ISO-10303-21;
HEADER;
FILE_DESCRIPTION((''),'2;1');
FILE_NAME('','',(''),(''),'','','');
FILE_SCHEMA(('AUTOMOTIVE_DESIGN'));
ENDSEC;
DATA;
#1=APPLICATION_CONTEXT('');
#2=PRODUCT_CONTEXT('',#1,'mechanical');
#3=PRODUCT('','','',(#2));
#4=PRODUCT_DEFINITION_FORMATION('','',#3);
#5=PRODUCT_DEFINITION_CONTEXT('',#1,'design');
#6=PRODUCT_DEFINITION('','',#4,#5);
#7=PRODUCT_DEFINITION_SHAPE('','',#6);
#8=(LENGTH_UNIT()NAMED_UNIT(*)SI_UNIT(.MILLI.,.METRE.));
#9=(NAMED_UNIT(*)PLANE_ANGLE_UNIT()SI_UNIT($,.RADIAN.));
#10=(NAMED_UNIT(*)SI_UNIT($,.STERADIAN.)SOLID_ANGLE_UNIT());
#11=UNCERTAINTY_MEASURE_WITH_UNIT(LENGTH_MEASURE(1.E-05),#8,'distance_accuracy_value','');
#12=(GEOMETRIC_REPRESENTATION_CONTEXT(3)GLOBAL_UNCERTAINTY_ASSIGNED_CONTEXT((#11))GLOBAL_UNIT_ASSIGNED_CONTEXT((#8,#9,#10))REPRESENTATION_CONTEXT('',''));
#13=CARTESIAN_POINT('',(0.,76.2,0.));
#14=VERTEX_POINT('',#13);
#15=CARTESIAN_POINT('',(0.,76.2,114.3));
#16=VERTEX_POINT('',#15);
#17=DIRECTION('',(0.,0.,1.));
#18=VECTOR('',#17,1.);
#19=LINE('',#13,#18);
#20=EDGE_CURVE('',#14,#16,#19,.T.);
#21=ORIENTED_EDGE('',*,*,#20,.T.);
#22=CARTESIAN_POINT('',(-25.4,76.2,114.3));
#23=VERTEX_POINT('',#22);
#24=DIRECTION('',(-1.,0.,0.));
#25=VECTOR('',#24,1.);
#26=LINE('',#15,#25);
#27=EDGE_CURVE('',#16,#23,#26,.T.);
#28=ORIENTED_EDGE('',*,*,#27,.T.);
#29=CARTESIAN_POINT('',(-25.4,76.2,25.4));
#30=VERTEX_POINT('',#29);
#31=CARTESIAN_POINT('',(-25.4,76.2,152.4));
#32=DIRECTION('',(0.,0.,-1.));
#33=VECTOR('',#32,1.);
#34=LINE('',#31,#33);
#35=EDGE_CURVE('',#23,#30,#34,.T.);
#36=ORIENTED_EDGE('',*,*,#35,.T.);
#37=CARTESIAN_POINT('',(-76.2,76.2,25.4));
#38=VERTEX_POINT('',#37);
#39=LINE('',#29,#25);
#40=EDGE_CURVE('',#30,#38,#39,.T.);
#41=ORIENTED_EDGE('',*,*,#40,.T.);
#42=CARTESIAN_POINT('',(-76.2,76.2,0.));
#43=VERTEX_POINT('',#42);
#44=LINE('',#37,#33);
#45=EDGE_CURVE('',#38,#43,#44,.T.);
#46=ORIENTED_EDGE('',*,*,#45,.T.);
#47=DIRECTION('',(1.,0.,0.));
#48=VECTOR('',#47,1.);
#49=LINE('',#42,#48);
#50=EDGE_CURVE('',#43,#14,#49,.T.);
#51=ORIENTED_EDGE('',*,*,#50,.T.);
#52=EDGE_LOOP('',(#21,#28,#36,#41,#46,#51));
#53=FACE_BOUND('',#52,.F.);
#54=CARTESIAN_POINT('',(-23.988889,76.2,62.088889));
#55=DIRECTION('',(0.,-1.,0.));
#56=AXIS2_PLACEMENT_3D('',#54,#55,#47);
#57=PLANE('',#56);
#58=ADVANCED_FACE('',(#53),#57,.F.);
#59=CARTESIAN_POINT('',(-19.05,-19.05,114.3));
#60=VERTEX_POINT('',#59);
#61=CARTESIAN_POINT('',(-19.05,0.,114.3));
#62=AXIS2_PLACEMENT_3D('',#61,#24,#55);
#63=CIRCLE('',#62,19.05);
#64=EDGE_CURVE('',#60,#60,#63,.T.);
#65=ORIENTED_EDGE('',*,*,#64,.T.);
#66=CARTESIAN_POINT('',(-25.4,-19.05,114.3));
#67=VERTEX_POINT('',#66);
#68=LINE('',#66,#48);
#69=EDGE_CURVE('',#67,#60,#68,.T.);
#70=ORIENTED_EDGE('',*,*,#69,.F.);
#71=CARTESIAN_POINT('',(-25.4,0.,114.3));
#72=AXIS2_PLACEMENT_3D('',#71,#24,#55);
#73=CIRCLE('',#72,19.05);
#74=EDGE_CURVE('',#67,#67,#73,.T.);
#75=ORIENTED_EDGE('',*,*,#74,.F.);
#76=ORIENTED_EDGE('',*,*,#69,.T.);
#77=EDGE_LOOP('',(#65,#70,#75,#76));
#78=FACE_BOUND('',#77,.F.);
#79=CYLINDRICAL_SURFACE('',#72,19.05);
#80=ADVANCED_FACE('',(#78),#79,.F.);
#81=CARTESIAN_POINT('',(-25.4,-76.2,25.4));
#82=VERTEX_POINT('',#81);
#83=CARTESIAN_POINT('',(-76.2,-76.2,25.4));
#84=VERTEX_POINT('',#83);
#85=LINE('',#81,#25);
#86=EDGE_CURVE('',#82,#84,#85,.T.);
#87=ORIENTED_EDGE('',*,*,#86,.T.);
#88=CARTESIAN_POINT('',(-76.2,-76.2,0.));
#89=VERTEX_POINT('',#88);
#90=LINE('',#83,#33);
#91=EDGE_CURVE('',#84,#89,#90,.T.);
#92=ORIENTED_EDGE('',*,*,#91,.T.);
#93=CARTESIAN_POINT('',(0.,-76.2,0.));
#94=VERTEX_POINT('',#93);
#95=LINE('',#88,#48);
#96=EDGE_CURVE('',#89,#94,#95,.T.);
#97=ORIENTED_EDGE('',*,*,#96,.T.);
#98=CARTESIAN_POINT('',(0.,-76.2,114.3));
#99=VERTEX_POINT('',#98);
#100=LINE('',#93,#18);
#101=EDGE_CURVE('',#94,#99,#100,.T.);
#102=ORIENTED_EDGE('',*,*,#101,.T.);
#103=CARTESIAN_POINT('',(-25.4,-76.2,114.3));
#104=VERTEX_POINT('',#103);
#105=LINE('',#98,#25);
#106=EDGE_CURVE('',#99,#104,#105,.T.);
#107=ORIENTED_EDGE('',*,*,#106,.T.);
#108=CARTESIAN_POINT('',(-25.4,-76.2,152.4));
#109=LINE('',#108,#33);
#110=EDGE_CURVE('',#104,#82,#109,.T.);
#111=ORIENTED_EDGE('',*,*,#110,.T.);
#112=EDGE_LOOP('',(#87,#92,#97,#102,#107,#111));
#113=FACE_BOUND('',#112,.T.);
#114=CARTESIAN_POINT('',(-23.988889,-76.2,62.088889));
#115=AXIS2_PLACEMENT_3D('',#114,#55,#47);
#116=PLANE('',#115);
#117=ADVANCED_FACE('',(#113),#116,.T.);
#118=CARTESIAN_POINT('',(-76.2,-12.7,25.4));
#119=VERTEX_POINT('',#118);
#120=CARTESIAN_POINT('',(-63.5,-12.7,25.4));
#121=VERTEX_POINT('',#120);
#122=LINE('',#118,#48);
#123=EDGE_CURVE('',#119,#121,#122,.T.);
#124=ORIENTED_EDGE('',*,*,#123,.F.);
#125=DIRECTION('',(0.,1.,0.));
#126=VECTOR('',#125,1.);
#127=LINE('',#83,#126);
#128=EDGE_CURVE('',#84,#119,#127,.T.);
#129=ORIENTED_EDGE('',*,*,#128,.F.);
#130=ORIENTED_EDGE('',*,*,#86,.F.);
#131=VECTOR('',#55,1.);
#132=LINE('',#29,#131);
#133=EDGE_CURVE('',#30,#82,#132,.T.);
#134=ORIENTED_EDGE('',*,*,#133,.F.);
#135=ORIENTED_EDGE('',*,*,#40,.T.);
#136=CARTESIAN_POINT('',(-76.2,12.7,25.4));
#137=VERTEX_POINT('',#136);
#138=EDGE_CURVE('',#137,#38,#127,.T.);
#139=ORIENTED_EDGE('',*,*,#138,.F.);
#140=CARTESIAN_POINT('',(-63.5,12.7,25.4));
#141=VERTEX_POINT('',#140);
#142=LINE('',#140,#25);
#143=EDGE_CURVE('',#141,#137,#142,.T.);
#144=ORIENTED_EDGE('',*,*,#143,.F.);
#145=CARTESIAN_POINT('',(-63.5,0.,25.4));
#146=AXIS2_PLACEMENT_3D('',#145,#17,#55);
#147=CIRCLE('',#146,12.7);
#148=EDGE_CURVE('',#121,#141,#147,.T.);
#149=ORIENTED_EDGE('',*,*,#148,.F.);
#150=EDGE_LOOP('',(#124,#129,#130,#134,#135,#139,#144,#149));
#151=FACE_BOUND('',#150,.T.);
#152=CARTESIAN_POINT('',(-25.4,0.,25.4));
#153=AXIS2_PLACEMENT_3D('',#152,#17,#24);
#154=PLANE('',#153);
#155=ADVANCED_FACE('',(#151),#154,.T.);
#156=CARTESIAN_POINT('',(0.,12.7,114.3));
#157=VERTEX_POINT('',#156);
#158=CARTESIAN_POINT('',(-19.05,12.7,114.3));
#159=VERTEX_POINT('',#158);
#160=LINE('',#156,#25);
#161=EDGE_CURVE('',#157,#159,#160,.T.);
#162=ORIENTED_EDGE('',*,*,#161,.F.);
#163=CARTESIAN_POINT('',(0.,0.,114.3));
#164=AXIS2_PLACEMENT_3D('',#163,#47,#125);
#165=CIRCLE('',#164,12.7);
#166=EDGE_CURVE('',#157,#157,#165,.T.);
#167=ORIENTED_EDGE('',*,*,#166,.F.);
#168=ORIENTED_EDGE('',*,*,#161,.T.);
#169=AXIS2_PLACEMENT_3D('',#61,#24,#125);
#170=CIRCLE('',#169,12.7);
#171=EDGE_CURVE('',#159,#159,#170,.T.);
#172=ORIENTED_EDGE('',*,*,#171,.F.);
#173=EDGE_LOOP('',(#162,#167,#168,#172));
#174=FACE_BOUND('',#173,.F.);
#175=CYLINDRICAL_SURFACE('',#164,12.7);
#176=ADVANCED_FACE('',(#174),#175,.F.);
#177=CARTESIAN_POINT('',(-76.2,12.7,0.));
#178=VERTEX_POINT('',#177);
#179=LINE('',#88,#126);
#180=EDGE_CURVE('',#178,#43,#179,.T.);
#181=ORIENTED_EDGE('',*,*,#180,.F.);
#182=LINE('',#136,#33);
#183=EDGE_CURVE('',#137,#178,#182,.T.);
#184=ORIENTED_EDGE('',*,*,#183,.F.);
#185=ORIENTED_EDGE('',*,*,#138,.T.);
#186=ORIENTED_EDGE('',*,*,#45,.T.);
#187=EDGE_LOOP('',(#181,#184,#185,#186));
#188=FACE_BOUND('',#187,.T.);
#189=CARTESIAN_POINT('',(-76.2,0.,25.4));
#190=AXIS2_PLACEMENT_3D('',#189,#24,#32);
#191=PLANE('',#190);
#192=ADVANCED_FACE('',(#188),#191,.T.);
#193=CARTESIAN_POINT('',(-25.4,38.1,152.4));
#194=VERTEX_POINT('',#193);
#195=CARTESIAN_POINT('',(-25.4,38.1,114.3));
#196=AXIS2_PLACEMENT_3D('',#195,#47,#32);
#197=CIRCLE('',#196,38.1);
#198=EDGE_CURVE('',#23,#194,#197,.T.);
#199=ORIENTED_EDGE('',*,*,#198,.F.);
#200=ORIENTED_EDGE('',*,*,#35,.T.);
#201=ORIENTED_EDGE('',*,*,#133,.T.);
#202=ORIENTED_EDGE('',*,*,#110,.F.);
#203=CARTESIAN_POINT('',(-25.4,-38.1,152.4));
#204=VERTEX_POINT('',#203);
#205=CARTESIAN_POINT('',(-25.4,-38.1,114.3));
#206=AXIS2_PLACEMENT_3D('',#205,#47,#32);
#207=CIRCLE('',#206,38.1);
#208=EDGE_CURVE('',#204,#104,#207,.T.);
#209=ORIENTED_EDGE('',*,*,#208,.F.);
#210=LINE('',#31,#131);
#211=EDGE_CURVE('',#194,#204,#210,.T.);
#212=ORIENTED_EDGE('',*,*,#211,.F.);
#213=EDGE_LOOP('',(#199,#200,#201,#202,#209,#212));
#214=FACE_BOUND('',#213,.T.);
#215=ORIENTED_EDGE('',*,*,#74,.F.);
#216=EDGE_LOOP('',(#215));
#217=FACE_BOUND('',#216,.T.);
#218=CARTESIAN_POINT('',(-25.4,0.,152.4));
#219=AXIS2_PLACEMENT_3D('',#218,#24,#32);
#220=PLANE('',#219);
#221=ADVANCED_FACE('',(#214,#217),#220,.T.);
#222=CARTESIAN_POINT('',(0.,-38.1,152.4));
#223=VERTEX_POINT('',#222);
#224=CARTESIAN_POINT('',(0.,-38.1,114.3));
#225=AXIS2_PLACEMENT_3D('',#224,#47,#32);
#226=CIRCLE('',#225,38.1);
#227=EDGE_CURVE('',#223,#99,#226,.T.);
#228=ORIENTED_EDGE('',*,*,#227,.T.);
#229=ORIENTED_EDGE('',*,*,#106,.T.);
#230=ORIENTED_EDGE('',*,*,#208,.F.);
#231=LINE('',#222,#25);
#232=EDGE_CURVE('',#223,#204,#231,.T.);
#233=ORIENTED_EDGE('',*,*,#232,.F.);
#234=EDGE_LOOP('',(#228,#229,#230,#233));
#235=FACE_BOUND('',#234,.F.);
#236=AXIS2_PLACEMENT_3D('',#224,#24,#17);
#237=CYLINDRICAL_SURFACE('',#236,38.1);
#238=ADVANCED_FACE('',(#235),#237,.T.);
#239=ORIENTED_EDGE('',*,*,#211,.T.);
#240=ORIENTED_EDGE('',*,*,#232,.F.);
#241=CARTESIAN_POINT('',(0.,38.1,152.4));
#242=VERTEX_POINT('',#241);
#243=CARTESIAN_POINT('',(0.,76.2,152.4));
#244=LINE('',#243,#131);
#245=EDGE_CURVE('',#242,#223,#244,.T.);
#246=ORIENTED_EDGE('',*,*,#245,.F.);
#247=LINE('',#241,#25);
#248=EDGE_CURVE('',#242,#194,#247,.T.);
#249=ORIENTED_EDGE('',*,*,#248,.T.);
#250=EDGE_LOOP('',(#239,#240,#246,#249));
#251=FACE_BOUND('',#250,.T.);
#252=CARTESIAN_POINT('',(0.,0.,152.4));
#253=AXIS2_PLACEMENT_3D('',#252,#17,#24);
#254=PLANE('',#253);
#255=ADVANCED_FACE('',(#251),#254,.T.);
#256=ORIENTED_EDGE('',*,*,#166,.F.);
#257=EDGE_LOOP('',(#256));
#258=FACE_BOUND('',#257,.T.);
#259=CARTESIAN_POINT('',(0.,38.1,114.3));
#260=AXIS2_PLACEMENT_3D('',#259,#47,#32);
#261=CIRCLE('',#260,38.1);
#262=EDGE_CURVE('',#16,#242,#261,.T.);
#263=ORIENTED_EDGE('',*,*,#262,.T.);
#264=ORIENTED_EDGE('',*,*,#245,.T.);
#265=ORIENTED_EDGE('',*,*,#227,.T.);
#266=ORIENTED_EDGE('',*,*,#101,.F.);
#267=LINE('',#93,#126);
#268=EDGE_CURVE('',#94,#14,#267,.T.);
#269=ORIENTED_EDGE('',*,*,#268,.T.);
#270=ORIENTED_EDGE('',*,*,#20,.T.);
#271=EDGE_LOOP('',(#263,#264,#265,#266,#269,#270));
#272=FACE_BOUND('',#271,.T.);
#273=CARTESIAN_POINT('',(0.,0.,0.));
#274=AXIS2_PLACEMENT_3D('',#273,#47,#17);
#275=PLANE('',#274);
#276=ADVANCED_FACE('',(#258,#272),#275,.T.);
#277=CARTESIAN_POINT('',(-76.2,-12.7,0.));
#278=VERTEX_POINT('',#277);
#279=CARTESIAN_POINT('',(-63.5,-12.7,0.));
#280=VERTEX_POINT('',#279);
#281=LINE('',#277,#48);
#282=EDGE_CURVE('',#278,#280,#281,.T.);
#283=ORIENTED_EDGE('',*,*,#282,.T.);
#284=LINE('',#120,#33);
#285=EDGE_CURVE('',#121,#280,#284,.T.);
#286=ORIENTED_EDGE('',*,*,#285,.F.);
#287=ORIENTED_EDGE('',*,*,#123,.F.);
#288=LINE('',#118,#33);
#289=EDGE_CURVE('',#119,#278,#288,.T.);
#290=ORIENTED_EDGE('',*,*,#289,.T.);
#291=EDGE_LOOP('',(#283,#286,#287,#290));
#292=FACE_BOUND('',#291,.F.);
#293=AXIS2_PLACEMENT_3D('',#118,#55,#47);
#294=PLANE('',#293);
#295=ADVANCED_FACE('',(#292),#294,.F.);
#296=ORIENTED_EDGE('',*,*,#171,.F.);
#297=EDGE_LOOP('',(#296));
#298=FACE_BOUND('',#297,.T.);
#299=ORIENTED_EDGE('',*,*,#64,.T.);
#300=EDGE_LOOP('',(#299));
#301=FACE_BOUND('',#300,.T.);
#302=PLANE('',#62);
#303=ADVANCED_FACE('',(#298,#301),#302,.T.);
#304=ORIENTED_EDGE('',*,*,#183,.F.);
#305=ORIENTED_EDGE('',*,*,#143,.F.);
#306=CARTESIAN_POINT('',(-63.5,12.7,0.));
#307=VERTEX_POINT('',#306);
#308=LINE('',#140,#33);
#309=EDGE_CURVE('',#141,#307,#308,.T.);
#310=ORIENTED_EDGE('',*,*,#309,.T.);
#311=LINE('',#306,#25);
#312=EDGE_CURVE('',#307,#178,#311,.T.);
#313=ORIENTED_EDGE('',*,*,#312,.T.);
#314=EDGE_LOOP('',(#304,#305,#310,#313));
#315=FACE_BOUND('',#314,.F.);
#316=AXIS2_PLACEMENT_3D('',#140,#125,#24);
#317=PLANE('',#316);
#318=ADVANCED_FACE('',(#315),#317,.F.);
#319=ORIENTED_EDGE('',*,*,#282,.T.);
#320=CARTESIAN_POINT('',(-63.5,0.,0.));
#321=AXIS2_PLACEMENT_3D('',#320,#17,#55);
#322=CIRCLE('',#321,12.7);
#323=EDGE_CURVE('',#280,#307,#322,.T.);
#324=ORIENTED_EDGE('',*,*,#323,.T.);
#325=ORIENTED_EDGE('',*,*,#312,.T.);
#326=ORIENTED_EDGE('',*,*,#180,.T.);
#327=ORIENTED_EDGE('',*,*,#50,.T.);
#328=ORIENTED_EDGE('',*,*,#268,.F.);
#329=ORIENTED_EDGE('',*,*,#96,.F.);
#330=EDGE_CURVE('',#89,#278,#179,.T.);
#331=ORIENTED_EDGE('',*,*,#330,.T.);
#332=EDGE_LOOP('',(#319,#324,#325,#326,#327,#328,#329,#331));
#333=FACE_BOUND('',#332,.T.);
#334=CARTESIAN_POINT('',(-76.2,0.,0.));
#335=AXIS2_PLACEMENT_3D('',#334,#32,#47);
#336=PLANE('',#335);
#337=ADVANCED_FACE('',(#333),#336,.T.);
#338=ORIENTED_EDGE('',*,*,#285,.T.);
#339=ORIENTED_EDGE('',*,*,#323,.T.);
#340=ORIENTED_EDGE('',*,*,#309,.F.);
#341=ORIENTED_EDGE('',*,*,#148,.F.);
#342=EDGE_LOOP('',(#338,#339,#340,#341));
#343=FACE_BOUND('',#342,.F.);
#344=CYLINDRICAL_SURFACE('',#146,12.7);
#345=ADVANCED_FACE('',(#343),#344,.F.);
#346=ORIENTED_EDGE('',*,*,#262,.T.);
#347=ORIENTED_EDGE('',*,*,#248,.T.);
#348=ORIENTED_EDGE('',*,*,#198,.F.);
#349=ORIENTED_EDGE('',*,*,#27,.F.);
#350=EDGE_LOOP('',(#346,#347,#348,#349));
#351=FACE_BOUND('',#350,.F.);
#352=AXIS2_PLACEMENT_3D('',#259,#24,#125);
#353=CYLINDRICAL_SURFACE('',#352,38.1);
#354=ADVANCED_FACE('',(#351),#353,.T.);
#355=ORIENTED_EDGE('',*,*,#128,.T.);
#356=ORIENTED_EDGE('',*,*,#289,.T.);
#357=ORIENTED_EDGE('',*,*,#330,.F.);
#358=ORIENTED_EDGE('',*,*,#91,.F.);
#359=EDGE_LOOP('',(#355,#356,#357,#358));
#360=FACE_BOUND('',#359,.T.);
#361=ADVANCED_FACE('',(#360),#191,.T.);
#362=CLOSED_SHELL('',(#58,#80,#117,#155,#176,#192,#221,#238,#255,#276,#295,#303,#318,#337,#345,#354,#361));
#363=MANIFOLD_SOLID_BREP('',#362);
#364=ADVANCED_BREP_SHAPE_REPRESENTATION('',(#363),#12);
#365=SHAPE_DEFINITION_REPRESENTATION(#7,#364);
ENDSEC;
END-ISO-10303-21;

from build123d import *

# Parameters (mm, degrees)
F1_DEPTH = 76.2
F2_R     = 12.7
F3_DEPTH = 76.201
F5_DEPTH = 25.4
F6_R     = 38.1
F7_R     = 19.05
F7_R_2   = 12.7
F8_DEPTH = 6.35


with BuildPart() as f1:
    # F0 (on Front) → F1 (new body, symmetric)
    with BuildSketch(Plane.XZ):
        Polygon((-25.4, 0), (0, 0), (0, 25.4), (0, 152.4), (-25.4, 152.4), (-25.4, 25.4), (-76.2, 25.4), (-76.2, 0), align=None)
    extrude(amount=F1_DEPTH, both=True)

    # F2 (on face) → F3 (cut, through all)
    with BuildSketch(Plane.YZ):
        with Locations((0, 114.3)):
            Circle(F2_R)
    extrude(amount=-F3_DEPTH, mode=Mode.SUBTRACT)

    # F4 (on face) → F5 (cut)
    with BuildSketch(Plane.XY.offset(25.4)):
        with BuildLine():
            Line((-76.2, -12.7), (-63.5, -12.7))
            ThreePointArc((-63.5, -12.7), (-50.8, 0), (-63.5, 12.7))
            Line((-63.5, 12.7), (-76.2, 12.7))
            Line((-76.2, 12.7), (-76.2, -12.7))
        make_face()
    extrude(amount=-F5_DEPTH, mode=Mode.SUBTRACT)

    # F6
    f6_edges = [f1.edges().sort_by_distance(p)[0] for p in [
        (-12.7, -76.2, 152.4),
        (-12.7, 76.2, 152.4),
    ]]
    fillet(f6_edges, radius=F6_R)

    # F7 (on face) → F8 (cut)
    with BuildSketch(Plane(origin=(-25.4, 0, 0), x_dir=(0, -1, 0), z_dir=(-1, 0, 0))):
        with Locations((0, 114.3)):
            Circle(F7_R)
        with Locations((0, 114.3)):
            Circle(F7_R_2, mode=Mode.SUBTRACT)
    extrude(amount=-F8_DEPTH, mode=Mode.SUBTRACT)


solid = f1.part
